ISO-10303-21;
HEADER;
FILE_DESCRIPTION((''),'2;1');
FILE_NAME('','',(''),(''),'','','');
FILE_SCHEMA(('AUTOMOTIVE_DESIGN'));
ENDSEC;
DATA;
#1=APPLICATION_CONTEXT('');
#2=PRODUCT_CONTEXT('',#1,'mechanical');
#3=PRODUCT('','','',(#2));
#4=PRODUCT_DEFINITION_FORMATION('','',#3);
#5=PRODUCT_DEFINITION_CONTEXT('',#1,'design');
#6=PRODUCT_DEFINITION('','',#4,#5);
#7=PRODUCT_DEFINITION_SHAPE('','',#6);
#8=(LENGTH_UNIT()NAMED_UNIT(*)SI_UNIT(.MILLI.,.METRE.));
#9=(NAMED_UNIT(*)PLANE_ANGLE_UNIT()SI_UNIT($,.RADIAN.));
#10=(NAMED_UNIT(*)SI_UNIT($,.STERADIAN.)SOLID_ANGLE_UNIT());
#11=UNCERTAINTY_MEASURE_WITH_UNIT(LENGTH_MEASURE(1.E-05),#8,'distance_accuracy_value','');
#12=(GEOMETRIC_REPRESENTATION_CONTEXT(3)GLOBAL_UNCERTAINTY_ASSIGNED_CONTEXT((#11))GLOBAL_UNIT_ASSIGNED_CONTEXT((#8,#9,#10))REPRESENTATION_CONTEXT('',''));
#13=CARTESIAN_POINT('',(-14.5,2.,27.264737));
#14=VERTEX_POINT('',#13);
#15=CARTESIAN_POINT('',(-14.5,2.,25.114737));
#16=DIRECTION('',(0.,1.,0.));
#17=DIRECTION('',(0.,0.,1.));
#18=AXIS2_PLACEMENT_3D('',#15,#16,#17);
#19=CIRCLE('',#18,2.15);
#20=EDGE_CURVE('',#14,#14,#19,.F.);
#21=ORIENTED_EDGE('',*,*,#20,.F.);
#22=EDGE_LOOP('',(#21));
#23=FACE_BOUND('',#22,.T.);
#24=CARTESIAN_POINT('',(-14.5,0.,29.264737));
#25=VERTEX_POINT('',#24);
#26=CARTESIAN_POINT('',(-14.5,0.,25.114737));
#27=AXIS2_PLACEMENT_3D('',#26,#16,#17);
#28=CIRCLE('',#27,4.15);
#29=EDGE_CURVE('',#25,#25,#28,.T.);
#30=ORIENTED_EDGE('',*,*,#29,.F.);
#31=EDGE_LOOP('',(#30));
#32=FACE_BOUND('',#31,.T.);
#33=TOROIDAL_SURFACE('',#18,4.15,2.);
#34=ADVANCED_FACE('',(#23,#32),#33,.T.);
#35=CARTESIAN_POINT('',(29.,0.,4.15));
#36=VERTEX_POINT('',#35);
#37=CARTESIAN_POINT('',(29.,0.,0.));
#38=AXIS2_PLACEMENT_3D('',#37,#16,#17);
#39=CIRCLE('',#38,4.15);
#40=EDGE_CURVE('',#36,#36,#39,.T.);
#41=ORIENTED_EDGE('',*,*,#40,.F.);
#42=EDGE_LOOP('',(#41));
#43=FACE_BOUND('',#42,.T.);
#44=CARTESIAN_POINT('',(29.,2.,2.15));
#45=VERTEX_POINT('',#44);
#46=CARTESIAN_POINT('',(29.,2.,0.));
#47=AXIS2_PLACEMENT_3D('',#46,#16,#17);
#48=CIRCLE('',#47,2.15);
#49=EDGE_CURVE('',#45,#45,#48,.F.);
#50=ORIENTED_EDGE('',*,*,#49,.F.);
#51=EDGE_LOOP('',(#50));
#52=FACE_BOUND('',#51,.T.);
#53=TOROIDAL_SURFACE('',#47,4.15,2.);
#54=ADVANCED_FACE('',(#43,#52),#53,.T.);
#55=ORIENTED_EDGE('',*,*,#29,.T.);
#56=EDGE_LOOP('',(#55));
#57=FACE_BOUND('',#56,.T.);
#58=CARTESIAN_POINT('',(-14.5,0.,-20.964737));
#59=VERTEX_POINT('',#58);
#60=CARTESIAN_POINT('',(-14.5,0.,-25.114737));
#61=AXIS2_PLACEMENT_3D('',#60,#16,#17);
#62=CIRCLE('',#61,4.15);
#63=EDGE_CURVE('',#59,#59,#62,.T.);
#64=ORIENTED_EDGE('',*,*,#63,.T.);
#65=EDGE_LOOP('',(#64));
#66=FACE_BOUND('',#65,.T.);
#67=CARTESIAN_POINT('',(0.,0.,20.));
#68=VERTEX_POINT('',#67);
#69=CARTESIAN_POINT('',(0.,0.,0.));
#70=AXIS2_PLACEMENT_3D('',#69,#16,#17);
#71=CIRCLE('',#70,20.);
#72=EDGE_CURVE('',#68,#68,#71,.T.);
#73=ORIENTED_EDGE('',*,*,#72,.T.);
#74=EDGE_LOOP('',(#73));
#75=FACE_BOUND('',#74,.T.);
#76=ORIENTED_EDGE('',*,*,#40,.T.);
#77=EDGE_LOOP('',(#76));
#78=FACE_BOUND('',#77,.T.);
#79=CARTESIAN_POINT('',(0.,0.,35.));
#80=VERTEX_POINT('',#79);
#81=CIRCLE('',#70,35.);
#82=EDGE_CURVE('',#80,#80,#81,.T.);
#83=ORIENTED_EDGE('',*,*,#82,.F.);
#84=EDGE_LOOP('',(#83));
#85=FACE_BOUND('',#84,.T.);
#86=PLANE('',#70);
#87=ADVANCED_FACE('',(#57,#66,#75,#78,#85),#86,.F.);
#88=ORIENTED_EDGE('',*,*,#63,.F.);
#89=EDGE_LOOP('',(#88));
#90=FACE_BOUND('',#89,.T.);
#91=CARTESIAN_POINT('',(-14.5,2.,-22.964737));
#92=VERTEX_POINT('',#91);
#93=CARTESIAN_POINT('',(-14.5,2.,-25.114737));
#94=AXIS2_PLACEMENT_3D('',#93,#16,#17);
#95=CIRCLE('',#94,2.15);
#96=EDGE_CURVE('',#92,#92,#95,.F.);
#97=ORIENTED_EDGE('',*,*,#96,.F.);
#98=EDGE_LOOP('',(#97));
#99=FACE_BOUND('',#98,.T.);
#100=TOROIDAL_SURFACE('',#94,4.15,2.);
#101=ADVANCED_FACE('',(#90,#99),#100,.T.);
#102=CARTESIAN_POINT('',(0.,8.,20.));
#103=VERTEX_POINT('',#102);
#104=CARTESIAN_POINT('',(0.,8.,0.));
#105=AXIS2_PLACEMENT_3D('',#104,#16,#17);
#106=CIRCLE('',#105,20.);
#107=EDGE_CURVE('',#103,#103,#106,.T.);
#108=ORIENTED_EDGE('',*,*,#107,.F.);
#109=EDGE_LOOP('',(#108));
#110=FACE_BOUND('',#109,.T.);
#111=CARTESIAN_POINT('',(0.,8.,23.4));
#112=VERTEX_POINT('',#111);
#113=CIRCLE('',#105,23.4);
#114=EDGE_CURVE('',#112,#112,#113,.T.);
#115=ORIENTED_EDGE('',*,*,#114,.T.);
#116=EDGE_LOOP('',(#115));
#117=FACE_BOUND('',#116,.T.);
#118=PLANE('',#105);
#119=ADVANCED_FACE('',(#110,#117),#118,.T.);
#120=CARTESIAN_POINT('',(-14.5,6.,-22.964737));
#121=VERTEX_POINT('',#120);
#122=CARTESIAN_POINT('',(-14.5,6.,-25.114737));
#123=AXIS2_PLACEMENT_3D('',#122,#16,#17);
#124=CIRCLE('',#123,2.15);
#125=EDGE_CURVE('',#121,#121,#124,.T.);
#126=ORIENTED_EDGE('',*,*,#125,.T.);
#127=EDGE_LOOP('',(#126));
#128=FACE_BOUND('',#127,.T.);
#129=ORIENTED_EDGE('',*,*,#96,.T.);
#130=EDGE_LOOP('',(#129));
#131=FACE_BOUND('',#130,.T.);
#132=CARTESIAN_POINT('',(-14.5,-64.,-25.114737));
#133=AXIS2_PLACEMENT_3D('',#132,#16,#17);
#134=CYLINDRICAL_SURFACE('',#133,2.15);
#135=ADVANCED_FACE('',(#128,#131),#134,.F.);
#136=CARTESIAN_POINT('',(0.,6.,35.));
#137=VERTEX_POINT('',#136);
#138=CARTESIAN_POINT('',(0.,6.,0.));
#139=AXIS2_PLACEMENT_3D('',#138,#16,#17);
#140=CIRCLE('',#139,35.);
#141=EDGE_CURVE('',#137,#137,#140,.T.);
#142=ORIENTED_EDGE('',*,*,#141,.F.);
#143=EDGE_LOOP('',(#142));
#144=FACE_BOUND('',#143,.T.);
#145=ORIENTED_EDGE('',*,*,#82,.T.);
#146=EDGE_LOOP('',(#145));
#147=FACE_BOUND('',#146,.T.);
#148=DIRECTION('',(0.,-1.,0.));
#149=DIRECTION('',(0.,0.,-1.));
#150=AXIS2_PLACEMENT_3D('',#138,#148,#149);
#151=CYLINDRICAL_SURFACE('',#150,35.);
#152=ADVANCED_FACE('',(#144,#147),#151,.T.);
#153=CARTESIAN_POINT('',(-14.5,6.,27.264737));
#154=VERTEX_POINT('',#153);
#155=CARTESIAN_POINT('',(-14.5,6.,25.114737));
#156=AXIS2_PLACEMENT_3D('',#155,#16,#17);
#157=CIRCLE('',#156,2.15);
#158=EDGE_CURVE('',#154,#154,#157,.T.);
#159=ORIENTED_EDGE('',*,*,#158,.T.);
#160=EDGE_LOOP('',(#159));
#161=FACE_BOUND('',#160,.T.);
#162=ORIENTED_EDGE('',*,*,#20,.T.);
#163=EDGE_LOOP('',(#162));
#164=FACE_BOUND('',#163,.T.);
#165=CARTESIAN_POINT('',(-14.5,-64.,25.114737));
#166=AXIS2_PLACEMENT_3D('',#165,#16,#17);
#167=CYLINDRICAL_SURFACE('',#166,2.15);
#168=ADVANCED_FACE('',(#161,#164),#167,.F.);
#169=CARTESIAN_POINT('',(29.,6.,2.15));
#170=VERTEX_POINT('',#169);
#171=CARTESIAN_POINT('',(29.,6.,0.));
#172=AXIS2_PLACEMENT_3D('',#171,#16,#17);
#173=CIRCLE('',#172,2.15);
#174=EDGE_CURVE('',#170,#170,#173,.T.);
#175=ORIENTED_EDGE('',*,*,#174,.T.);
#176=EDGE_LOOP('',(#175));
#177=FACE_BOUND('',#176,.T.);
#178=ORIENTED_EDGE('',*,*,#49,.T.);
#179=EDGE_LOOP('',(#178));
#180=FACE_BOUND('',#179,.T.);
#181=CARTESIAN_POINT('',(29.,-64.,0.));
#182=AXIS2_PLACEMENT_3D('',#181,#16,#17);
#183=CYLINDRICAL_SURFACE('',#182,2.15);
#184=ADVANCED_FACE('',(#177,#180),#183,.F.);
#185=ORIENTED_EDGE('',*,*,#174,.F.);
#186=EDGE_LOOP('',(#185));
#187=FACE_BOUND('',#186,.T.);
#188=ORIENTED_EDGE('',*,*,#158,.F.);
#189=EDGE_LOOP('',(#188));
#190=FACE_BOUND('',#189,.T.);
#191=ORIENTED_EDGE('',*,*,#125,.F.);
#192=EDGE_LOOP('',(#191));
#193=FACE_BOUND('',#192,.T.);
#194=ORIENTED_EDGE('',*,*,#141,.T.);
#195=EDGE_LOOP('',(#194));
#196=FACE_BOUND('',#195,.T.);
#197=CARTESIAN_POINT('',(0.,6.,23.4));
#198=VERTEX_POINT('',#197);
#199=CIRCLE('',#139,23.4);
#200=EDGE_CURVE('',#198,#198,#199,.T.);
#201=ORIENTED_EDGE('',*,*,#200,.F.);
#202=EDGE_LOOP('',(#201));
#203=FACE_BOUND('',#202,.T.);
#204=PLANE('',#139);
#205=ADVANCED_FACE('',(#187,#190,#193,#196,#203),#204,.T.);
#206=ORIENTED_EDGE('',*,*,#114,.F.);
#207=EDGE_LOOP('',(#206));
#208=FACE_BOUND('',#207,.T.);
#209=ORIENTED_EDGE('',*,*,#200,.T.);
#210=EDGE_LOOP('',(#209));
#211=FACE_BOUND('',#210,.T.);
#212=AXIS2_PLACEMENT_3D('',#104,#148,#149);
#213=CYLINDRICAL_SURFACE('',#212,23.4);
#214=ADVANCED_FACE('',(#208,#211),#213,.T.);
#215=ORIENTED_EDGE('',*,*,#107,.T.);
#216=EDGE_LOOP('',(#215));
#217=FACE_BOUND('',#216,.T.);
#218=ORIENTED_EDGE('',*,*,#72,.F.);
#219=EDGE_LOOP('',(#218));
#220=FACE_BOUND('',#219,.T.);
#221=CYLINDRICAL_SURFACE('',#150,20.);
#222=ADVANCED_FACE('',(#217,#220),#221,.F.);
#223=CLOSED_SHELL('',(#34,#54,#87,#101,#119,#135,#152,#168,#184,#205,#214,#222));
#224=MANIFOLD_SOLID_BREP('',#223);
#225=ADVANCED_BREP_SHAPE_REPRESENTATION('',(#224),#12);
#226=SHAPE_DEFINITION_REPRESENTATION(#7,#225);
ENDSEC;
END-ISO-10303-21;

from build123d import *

# Parameters (mm, degrees)
SKETCH_1_R          = 35
SKETCH_1_R_2        = 20
EXTRUDE_1_DEPTH     = 6
SKETCH_2_R          = 2.15
CUT_EXTRUDE_1_DEPTH = 70
FILLET_2_R          = 2
SKETCH_3_R          = 23.4
SKETCH_3_R_2        = 20
EXTRUDE_2_DEPTH     = 2


with BuildPart() as part:
    # 草图1 → 凸台-拉伸1 (new body)
    with BuildSketch(Plane(origin=(0, 0, 0), x_dir=(1, 0, 0), z_dir=(0, 1, 0))):
        with Locations(Location((0, 0, 0), (0, 0, 270))):
            Circle(SKETCH_1_R)
        with Locations(Location((0, 0, 0), (0, 0, 270))):
            Circle(SKETCH_1_R_2, mode=Mode.SUBTRACT)
    extrude(amount=EXTRUDE_1_DEPTH)

    # 草图2 → 切除-拉伸1 (cut)
    with BuildSketch(Plane(origin=(0, 6, 0), x_dir=(1, 0, 0), z_dir=(0, 1, 0))):
        with Locations(Location((29, 0, 0), (0, 0, 270))):
            Circle(SKETCH_2_R)
        with Locations(Location((-14.5, -25.11473671, 0), (0, 0, 270))):
            Circle(SKETCH_2_R)
        with Locations(Location((-14.5, 25.11473671, 0), (0, 0, 270))):
            Circle(SKETCH_2_R)
    extrude(amount=-CUT_EXTRUDE_1_DEPTH, mode=Mode.SUBTRACT)

    # 圆角2
    fillet_2_edges = [part.edges().sort_by_distance(p)[0] for p in [
        (29, 0, -2.15),
        (-14.5, 0, 22.96473671),
        (-14.5, 0, -27.26473671),
    ]]
    fillet(fillet_2_edges, radius=FILLET_2_R)

    # 草图3 → 凸台-拉伸2 (add)
    with BuildSketch(Plane(origin=(0, 6, 0), x_dir=(1, 0, 0), z_dir=(0, 1, 0))):
        with Locations(Location((0, 0, 0), (0, 0, 270))):
            Circle(SKETCH_3_R)
        with Locations(Location((0, 0, 0), (0, 0, 270))):
            Circle(SKETCH_3_R_2, mode=Mode.SUBTRACT)
    extrude(amount=EXTRUDE_2_DEPTH)


solid = part.part
